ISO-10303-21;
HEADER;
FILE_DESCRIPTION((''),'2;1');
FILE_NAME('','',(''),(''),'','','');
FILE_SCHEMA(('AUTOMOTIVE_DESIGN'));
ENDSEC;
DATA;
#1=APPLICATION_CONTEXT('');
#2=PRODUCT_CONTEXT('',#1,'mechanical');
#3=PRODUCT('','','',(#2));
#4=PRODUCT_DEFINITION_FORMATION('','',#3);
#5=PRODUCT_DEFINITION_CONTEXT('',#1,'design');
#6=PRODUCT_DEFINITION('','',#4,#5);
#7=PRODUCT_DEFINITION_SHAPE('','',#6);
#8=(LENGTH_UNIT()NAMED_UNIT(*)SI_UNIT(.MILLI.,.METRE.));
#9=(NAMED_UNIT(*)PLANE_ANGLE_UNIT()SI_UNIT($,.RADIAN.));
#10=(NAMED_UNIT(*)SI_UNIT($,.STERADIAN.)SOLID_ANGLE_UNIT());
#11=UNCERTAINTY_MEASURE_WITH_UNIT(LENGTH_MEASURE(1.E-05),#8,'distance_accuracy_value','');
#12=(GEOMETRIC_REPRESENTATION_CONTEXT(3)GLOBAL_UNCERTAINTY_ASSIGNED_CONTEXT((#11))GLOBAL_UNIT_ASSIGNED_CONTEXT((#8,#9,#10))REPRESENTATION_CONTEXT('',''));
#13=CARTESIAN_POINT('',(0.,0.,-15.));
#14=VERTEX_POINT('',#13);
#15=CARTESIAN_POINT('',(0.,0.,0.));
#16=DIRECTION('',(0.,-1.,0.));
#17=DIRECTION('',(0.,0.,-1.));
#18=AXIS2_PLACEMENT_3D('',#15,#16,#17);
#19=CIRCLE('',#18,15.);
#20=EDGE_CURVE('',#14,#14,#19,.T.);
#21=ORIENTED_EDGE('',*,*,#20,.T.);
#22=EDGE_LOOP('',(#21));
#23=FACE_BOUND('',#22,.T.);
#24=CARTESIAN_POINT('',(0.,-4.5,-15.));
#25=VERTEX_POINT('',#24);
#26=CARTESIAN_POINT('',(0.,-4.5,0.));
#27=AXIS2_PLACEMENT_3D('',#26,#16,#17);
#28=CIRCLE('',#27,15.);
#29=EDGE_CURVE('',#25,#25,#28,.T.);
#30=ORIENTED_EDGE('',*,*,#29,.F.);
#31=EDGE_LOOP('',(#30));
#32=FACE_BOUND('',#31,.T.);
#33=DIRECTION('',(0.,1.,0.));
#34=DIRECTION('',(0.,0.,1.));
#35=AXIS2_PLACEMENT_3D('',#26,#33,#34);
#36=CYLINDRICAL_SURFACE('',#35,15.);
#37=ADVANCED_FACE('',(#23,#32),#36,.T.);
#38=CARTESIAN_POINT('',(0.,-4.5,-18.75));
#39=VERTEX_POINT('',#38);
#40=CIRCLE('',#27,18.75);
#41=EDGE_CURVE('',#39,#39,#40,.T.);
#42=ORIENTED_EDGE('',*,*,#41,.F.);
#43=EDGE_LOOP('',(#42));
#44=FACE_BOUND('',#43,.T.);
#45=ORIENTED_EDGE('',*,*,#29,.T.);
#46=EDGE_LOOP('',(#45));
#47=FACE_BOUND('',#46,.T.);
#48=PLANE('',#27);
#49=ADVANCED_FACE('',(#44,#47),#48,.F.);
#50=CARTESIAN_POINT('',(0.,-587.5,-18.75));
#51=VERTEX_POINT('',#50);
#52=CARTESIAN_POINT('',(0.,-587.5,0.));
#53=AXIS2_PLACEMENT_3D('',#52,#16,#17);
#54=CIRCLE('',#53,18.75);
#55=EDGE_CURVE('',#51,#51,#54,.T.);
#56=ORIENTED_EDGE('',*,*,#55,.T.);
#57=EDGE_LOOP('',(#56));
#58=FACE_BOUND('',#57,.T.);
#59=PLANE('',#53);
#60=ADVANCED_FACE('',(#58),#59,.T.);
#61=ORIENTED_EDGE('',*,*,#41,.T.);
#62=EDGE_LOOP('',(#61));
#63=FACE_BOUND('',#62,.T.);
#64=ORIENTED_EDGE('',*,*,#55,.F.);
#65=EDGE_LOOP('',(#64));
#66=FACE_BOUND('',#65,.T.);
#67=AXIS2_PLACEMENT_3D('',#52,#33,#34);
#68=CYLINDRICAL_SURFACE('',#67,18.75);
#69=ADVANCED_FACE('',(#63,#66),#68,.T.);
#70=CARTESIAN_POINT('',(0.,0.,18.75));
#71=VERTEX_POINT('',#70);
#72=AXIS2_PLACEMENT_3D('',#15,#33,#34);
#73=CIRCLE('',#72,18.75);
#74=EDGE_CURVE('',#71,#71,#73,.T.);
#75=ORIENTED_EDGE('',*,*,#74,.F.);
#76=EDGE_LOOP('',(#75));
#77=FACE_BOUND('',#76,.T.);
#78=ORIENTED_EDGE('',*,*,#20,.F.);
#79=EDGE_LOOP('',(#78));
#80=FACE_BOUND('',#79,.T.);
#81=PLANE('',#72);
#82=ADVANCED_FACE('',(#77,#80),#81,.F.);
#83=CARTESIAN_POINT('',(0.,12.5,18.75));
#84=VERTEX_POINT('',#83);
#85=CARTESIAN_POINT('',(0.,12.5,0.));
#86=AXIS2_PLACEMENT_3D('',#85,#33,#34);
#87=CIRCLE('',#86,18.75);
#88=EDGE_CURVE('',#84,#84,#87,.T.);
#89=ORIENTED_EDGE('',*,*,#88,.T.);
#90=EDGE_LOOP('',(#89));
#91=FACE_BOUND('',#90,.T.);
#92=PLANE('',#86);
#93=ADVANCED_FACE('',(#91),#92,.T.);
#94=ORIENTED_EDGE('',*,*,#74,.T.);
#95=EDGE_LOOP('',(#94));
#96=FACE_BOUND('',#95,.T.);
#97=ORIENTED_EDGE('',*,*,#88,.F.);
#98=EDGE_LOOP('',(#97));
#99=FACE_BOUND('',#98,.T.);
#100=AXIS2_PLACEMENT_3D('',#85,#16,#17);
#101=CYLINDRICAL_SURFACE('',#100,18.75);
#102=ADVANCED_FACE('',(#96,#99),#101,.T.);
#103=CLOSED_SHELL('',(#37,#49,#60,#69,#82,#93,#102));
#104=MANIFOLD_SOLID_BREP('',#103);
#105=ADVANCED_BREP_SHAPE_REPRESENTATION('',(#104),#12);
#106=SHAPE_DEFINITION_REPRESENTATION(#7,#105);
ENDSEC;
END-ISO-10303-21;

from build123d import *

# Parameters (mm, degrees)
SKETCH1_R           = 18.75
BOSS_EXTRUDE1_DEPTH = 12.5
SKETCH2_R           = 15
BOSS_EXTRUDE2_DEPTH = 4.5
BOSS_EXTRUDE3_START = 583
SKETCH3_R           = 18.75
BOSS_EXTRUDE3_DEPTH = 583


with BuildPart() as part:
    # Sketch1 → Boss-Extrude1 (new body)
    with BuildSketch(Plane(origin=(0, 0, 0), x_dir=(1, 0, 0), z_dir=(0, 1, 0))):
        with Locations(Location((0, 0, 0), (0, 0, 270))):
            Circle(SKETCH1_R)
    extrude(amount=BOSS_EXTRUDE1_DEPTH)

    # Sketch2 → Boss-Extrude2 (add)
    with BuildSketch(Plane.XZ):
        with Locations(Location((0, 0, 0), (0, 0, 270))):
            Circle(SKETCH2_R)
    extrude(amount=BOSS_EXTRUDE2_DEPTH)

    # Sketch3 → Boss-Extrude3 (add)
    with BuildSketch(Plane.XZ.offset(4.5).offset(BOSS_EXTRUDE3_START)):
        with Locations(Location((0, 0, 0), (0, 0, 90))):
            Circle(SKETCH3_R)
    extrude(amount=-BOSS_EXTRUDE3_DEPTH)


solid = part.part
